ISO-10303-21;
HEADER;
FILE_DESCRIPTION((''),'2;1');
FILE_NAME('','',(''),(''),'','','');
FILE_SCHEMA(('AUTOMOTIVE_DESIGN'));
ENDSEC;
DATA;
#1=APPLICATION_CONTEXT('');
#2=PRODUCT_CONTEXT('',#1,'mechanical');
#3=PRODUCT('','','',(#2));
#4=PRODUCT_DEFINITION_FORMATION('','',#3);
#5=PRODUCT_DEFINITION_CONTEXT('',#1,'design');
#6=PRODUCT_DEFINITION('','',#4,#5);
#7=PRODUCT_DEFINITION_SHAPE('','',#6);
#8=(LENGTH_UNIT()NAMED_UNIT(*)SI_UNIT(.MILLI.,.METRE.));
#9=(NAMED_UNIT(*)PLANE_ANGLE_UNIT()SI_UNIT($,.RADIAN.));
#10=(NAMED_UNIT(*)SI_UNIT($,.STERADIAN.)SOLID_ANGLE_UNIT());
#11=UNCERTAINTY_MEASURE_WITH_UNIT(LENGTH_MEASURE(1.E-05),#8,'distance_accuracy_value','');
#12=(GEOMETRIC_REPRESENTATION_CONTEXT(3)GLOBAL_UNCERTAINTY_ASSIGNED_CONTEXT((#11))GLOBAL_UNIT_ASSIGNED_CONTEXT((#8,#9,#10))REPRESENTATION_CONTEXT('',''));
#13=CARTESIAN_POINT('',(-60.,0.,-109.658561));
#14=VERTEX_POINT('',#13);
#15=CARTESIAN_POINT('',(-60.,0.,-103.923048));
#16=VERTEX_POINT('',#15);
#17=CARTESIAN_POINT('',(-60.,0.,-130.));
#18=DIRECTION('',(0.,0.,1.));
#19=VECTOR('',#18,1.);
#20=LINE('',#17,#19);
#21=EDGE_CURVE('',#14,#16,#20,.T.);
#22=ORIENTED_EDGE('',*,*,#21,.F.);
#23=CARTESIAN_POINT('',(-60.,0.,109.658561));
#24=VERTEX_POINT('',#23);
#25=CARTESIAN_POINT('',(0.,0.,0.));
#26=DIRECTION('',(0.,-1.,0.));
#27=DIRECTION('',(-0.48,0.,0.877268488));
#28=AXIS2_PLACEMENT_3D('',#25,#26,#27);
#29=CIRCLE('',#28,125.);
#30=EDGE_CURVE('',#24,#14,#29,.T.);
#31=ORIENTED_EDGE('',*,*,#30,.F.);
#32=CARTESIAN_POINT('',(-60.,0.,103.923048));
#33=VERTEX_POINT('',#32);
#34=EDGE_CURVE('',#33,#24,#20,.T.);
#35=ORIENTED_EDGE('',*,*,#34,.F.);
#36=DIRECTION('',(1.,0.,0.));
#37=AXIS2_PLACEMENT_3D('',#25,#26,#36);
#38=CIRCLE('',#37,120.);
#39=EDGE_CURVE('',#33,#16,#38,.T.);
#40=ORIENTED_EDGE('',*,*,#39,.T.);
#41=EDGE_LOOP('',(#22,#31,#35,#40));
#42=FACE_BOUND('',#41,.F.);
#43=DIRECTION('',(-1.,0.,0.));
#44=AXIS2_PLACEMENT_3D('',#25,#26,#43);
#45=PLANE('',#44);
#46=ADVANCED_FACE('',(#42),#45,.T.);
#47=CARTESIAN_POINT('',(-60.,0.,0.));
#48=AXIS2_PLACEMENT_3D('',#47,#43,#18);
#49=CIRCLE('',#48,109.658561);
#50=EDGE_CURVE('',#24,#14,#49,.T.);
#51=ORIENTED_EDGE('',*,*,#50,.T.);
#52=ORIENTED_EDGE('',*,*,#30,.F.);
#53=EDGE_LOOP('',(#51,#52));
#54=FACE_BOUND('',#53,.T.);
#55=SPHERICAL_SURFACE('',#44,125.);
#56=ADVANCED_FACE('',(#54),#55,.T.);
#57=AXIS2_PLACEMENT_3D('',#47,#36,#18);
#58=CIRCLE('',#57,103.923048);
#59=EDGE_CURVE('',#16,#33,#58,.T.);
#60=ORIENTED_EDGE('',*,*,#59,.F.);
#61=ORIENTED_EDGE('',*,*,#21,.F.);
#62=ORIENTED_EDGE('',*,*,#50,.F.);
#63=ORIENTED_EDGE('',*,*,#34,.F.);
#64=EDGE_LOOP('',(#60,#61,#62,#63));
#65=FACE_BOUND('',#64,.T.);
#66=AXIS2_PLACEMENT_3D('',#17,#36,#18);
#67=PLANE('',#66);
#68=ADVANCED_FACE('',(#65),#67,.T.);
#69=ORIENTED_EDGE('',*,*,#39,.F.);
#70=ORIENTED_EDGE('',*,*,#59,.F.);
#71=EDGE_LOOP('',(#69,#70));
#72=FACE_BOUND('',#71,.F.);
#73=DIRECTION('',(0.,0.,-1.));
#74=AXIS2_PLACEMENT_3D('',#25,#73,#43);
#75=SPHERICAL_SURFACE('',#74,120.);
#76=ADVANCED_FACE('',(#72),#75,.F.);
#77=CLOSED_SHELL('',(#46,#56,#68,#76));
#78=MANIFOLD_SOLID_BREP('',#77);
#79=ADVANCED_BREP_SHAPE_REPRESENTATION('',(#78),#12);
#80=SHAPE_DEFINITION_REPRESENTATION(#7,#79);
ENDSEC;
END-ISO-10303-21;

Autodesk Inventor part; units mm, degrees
ref_plane "YZ Plane" through (0, 0, 0) normal (1, 0, 0) x (0, 1, 0)
ref_plane "XZ Plane" through (0, 0, 0) normal (0, 1, 0) x (-1, 0, 0)
ref_plane "XY Plane" through (0, 0, 0) normal (0, 0, 1) x (1, 0, 0)
sketch "スケッチ1" plane through (0, 0, 0) normal (0, 0, 1) x (1, 0, 0)
  arc A0 (0, 125) -> (-125, 0) centre (0, 0) ccw
  line L0 (0, 125) -> (0, 0)
  line L1 (0, 0) -> (-125, 0)
  point P0 (0, 0)
  dimension "d0" = 125
  dimension "d1" = 125
  dimension "d2" = 125
revolve "回転1" add sketch "スケッチ1" angle 360 about axis through (0, 125, 0) along (0, -1, 0)
sketch "スケッチ2" plane through (0, 0, 0) normal (0, -1, 0) x (1, 0, 0)
  line L0 (60, -130) -> (-60, -130)
  line L1 (-60, -130) -> (-60, 130)
  line L2 (-60, 130) -> (60, 130)
  line L3 (60, 130) -> (60, -130)
  line L4 (60, -130) -> (-60, 130) construction
  line L5 (-60, -130) -> (60, 130) construction
  line L6 (177.9877, -390) -> (60, -390)
  line L7 (60, -390) -> (60, 130)
  line L8 (60, 130) -> (177.9877, 130)
  line L9 (177.9877, 130) -> (177.9877, -390)
  line L10 (177.9877, -390) -> (60, 130) construction
  line L11 (60, -390) -> (177.9877, 130) construction
  point P0 (0, 0)
  point P1 (118.9938, -130)
  dimension "d4" = 120
  dimension "d5" = 260
extrude "押し出し1" cut sketch "スケッチ2" against normal blind 200
sketch "スケッチ3" plane through (0, 0, 0) normal (0, -1, 0) x (1, 0, 0)
  circle A0 centre (0, 0) radius 120
  line L0 (0, 0) -> (0, 7.6881)
  line L1 (0, 120) -> (0, -120)
  dimension "d8" = 240
revolve "回転2" cut sketch "スケッチ3" angle 360 about axis through (0, 0, 120) along (0, 0, -1) picked at (-69.9662, -38.4642) contours L1 L0 A0
properties material "PC/ABS プラスチック"
